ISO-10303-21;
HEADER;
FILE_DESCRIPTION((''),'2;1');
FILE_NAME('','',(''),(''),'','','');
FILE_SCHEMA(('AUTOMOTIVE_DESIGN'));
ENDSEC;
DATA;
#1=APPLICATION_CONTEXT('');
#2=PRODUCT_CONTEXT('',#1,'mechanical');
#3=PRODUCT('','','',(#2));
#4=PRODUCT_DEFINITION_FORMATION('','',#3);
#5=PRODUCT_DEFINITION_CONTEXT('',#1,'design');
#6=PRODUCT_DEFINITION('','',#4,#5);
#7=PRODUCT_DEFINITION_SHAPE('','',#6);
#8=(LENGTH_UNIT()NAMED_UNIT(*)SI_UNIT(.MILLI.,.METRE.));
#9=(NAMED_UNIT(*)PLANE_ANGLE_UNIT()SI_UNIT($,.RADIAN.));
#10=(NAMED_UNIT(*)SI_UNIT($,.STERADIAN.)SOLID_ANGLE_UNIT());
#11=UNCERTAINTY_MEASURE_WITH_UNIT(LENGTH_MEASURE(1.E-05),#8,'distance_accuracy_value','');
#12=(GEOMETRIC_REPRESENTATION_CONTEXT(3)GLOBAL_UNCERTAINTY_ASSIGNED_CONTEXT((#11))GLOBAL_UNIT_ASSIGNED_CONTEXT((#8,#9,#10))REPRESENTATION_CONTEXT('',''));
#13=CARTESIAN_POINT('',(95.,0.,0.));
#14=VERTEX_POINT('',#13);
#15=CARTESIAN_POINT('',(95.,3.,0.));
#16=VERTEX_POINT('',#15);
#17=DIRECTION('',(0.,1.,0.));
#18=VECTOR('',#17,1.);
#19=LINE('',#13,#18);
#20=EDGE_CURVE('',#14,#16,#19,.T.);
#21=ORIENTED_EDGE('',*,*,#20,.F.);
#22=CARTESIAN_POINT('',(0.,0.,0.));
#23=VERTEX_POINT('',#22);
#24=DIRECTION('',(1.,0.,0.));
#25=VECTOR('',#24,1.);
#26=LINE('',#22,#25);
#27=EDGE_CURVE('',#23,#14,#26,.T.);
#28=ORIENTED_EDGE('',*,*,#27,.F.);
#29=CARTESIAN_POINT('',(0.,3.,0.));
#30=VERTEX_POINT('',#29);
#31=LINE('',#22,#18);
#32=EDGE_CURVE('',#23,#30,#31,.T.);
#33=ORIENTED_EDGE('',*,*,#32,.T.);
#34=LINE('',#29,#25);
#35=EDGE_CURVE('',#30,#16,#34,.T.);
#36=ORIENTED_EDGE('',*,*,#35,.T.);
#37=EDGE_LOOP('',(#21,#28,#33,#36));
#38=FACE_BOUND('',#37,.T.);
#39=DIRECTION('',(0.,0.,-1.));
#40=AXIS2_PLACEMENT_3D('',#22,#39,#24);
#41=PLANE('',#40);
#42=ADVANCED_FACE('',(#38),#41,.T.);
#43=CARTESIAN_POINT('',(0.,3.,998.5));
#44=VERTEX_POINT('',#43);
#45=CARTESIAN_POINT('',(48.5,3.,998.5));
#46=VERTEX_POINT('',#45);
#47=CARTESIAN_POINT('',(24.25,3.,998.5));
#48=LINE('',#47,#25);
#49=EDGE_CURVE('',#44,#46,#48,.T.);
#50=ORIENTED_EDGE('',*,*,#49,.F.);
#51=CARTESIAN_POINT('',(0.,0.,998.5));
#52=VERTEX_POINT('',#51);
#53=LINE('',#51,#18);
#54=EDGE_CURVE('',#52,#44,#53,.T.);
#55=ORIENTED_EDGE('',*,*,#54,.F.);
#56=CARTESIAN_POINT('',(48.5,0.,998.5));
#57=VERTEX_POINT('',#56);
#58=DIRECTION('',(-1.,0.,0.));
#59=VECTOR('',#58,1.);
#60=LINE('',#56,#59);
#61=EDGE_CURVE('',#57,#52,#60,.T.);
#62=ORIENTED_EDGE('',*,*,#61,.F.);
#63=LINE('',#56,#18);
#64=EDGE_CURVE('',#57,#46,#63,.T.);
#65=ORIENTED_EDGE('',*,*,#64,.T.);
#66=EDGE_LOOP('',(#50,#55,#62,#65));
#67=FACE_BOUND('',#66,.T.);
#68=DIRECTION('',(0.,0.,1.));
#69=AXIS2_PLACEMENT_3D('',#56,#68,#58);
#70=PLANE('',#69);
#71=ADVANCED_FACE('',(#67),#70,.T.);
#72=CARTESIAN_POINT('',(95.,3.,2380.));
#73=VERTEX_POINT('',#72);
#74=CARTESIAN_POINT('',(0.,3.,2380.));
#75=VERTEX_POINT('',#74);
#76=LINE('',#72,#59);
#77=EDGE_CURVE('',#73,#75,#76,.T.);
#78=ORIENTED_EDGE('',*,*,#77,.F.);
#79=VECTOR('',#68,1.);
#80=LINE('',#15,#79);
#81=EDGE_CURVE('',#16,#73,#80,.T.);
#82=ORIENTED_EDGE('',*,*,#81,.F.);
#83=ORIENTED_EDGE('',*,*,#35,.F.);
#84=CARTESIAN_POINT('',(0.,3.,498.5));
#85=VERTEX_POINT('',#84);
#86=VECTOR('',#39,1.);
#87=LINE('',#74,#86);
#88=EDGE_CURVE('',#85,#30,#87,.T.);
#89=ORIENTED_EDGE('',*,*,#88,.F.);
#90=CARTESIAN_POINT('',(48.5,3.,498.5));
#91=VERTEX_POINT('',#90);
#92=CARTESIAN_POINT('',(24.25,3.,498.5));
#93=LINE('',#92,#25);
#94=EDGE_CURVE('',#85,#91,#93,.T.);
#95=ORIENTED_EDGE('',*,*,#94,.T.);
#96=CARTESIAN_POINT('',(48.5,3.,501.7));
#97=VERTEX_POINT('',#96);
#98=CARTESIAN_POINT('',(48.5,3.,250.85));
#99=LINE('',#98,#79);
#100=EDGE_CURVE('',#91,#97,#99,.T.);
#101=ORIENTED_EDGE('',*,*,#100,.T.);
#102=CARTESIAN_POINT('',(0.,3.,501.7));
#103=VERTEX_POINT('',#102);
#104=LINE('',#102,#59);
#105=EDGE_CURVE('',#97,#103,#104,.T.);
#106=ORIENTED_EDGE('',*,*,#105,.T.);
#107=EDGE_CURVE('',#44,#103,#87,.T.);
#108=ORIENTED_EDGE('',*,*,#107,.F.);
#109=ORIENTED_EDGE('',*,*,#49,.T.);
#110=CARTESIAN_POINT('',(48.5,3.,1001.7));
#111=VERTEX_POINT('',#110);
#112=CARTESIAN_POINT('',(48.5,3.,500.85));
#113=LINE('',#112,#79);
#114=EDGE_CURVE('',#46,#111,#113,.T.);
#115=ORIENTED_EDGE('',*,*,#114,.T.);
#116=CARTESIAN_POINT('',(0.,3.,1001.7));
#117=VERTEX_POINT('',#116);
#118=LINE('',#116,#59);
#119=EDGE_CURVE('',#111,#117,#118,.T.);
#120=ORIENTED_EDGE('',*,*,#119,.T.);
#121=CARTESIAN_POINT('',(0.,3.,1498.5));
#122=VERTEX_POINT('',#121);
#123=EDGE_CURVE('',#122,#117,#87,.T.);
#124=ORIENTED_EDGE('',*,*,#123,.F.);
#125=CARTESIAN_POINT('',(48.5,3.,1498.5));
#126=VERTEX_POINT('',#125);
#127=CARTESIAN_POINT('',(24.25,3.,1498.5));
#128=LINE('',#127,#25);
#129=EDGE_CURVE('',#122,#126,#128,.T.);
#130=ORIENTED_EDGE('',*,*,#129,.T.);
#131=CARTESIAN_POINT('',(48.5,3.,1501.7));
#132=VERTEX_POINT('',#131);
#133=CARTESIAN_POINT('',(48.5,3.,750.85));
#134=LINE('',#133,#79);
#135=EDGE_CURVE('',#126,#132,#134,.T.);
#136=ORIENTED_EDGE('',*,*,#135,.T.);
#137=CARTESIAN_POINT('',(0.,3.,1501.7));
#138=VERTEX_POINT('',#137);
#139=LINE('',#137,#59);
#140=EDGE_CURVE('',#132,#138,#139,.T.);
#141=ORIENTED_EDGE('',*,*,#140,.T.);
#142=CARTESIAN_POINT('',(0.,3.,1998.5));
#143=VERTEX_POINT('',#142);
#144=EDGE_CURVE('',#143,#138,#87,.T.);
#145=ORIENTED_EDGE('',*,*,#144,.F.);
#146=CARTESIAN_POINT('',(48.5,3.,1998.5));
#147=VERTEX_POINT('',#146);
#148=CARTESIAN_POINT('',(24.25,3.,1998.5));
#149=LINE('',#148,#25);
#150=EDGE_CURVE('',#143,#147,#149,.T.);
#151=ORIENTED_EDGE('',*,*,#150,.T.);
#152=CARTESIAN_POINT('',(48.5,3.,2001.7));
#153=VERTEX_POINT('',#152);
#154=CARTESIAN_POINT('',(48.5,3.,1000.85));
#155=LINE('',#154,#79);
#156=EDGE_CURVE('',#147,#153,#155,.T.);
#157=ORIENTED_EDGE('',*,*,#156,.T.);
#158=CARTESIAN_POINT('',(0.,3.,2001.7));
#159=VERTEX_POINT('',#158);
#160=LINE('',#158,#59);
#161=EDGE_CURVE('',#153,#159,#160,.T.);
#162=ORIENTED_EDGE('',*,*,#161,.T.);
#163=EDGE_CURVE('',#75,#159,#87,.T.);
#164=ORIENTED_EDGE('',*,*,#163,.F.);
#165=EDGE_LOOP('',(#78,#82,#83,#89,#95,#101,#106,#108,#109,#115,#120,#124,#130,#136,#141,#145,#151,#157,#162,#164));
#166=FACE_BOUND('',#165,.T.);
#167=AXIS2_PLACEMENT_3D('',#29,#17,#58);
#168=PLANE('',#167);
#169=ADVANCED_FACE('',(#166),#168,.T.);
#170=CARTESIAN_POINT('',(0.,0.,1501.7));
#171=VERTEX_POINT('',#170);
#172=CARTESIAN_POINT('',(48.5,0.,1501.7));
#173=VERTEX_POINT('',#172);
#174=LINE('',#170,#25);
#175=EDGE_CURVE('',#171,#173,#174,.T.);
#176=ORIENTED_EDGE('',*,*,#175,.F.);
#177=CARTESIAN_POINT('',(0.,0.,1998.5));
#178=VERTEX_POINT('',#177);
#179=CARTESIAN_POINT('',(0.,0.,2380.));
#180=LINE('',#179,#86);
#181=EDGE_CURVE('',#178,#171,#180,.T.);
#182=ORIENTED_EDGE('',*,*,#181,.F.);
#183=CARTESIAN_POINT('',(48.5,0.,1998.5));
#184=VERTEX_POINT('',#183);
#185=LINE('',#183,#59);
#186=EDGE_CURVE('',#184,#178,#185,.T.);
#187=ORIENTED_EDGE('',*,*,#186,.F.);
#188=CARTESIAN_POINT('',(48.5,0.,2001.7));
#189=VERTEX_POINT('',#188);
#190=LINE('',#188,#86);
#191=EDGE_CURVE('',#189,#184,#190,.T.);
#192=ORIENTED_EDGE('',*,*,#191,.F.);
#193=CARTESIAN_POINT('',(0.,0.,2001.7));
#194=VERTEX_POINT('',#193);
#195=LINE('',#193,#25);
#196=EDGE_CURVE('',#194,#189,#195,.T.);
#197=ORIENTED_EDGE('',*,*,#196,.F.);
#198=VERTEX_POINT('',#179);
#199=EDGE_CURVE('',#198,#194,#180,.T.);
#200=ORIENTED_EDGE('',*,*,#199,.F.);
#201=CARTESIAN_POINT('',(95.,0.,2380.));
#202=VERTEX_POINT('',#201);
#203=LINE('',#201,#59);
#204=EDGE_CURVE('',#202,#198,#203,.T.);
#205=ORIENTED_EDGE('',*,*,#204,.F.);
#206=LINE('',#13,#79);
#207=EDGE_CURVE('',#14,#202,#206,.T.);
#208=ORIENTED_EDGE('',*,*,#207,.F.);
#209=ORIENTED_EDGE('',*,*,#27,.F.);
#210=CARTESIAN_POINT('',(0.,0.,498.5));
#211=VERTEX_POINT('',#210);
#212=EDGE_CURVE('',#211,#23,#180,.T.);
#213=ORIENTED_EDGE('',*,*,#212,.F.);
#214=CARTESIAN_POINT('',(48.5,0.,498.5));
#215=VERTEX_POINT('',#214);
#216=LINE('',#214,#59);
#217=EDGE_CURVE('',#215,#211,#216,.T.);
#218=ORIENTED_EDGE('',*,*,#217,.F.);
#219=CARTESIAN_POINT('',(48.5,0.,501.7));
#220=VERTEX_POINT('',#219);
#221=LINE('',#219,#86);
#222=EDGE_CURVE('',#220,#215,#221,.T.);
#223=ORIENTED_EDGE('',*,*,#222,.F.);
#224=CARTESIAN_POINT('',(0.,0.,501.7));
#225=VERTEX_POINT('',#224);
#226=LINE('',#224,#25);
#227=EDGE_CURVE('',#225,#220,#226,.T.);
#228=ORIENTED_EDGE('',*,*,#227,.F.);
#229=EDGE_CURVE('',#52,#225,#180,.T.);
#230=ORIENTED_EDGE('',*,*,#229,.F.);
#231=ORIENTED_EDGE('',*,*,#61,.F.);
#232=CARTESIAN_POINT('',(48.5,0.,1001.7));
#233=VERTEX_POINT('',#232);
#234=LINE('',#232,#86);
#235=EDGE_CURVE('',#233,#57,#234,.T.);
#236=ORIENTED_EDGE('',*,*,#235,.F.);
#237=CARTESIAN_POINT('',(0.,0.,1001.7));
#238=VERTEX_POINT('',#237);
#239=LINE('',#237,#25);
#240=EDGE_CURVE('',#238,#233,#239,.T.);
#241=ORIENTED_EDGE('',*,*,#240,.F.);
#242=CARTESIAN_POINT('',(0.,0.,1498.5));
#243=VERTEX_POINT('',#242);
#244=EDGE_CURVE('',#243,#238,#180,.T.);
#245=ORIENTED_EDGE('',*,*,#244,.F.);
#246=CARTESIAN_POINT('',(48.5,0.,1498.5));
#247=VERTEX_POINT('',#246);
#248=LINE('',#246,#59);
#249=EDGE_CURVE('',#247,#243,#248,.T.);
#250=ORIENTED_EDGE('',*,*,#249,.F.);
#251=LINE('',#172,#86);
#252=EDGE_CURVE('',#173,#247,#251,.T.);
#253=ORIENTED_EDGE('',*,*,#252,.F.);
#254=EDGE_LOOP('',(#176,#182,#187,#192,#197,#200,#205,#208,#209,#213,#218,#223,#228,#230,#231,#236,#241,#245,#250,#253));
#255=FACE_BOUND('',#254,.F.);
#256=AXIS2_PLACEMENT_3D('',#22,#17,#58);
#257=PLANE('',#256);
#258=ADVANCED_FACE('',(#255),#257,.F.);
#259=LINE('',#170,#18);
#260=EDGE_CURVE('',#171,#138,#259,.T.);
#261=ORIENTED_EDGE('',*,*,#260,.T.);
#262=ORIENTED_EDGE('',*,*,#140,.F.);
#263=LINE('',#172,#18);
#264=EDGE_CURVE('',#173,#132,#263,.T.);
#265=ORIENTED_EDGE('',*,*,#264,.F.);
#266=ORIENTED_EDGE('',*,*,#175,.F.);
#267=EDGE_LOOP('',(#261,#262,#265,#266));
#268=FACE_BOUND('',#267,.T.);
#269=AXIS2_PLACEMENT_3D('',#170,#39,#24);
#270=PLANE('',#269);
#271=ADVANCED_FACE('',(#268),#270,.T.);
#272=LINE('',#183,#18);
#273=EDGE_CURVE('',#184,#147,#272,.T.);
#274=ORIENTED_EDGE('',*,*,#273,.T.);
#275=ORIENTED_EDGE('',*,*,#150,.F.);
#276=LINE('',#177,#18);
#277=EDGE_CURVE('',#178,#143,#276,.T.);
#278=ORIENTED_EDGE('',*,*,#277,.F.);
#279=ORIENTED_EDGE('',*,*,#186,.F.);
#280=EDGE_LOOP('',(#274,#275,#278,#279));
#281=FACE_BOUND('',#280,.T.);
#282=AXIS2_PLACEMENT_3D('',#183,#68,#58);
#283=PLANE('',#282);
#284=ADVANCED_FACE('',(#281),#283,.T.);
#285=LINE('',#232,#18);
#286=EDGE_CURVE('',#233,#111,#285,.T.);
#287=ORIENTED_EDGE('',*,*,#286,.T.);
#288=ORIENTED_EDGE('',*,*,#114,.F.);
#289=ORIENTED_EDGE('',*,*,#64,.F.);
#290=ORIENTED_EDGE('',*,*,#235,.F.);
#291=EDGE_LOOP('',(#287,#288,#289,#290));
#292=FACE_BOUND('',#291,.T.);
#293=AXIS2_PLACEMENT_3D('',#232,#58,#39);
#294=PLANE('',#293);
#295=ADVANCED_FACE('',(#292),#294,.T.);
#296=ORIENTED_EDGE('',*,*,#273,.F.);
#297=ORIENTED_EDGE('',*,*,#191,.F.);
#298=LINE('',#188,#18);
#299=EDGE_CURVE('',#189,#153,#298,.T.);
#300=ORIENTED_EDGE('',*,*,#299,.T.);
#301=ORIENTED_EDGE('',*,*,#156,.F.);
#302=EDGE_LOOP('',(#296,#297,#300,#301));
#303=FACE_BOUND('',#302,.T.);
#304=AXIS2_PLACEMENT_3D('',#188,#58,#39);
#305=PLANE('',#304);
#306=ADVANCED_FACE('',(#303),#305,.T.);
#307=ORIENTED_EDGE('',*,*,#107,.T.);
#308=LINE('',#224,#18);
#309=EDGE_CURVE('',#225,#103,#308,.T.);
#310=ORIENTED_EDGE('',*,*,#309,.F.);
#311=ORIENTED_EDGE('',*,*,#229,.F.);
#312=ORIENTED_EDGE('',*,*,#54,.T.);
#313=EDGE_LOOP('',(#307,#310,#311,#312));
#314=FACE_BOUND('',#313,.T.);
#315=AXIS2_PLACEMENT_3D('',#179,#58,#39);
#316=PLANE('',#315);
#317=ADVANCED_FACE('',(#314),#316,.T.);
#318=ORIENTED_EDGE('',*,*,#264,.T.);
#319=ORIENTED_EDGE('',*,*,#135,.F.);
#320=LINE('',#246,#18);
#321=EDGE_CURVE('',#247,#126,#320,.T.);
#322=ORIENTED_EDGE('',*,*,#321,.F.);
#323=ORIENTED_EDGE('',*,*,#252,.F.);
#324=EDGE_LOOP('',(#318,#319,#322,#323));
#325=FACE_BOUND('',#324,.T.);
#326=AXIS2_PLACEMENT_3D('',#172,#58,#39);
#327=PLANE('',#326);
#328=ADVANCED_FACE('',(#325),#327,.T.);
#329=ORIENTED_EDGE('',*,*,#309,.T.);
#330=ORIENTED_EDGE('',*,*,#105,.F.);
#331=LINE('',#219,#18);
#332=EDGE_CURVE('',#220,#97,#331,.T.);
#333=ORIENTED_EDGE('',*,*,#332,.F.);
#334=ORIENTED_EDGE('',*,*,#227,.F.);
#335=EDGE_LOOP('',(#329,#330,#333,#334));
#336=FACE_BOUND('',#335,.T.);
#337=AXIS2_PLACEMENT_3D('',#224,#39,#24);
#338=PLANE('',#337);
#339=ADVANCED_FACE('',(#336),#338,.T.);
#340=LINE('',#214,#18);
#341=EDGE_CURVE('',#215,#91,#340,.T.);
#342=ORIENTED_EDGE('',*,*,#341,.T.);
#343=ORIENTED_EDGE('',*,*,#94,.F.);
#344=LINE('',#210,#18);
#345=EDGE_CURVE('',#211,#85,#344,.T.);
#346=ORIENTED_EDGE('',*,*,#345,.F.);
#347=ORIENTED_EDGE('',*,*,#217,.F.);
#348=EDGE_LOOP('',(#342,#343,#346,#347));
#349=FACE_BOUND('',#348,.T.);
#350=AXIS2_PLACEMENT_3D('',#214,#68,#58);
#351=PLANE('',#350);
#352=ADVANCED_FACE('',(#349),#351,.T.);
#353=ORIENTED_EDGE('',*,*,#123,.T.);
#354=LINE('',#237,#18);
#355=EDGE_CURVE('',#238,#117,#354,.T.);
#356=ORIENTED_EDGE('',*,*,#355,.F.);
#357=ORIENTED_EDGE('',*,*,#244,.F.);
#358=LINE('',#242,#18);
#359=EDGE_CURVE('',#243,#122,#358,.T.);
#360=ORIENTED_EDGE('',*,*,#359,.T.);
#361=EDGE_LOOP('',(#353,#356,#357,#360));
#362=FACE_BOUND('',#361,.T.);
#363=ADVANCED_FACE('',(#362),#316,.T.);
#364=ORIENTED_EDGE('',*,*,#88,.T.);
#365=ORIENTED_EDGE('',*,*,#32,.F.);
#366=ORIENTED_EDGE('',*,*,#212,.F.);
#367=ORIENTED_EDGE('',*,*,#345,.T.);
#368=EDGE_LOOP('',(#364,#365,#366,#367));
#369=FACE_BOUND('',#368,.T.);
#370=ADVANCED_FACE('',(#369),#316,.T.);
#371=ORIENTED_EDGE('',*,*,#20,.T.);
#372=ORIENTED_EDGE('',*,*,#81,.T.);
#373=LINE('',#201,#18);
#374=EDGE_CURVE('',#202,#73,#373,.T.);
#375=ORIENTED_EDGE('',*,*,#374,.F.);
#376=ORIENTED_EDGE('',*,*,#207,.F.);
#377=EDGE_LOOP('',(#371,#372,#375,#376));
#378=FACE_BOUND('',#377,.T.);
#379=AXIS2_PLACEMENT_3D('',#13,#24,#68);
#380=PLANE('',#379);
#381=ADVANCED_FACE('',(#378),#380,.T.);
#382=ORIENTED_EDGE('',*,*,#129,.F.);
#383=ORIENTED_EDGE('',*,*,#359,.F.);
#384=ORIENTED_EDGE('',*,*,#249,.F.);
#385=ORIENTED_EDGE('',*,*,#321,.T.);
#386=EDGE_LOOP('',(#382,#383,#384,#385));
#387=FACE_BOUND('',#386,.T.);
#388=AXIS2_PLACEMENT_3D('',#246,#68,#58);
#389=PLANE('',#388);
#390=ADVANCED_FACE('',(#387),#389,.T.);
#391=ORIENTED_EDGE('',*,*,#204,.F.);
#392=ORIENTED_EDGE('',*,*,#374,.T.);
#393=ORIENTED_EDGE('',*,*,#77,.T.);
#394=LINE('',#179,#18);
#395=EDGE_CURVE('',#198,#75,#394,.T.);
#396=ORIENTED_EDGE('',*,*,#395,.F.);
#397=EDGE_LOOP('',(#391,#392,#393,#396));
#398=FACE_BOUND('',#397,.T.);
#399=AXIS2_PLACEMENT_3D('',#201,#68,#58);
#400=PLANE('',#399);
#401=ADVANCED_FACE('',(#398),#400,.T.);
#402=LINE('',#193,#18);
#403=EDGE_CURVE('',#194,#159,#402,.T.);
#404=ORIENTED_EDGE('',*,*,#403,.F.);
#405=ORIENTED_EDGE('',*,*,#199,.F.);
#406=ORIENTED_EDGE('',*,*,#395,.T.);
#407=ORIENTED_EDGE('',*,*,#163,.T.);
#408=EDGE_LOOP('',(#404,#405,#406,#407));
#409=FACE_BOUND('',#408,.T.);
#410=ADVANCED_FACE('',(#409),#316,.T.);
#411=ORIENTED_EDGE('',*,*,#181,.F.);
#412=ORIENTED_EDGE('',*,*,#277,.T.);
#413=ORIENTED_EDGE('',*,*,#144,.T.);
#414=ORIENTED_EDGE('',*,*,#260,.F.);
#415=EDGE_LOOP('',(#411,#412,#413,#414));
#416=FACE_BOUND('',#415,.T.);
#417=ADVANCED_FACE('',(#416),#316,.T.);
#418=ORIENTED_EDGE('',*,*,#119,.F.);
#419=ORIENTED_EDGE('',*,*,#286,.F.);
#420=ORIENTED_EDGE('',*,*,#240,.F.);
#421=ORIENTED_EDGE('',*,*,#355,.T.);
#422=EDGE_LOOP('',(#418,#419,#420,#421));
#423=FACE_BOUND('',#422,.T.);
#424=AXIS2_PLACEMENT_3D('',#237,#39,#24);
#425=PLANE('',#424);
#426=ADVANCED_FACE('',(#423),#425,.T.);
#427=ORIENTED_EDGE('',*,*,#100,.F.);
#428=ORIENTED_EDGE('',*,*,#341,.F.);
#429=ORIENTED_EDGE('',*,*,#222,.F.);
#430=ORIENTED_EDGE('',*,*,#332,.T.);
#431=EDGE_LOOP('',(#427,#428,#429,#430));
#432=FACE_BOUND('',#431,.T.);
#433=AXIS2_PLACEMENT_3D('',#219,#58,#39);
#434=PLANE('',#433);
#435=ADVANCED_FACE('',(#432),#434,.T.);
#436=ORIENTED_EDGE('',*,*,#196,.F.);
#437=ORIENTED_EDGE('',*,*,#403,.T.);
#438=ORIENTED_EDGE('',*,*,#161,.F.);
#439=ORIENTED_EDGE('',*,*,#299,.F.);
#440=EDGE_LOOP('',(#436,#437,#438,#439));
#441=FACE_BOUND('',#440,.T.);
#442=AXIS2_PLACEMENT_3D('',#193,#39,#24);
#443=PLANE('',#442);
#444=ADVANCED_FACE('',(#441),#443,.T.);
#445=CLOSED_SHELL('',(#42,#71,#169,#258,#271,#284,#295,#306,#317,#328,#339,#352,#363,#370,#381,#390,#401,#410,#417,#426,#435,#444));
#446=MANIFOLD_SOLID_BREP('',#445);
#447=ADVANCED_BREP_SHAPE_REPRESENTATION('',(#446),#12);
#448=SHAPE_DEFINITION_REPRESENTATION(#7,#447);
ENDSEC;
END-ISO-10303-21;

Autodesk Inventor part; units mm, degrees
ref_plane "YZ Plane" through (0, 0, 0) normal (1, 0, 0) x (0, 1, 0)
ref_plane "XZ Plane" through (0, 0, 0) normal (0, 1, 0) x (-1, 0, 0)
ref_plane "XY Plane" through (0, 0, 0) normal (0, 0, 1) x (1, 0, 0)
sketch "Sketch6" plane through (0, 0, 0) normal (0, 1, 0) x (-1, 0, 0)
  line L0 (0, 0) -> (-95, 0)
  line L1 (-95, 0) -> (-95, 2380)
  line L2 (-95, 2380) -> (0, 2380)
  line L3 (0, 2380) -> (0, 0)
  dimension "d26" = 95
  dimension "d27" = 2380
extrude "Plate4" add sketch "Sketch6" along normal blind 3
sketch "Sketch7" plane through (0, 0, 0) normal (0, -1, 0) x (1, 0, 0)
  line L0 (0, 2380) -> (95, 2380) projected
  line L1 (0, 0) -> (0, 2380) projected
  line L2 (95, 0) -> (0, 0) projected
  line L3 (95, 2380) -> (95, 0) projected
  line L4 (0, 501.7) -> (48.5, 501.7)
  line L5 (48.5, 501.7) -> (48.5, 498.5)
  line L6 (48.5, 498.5) -> (0, 498.5)
  line L7 (0, 498.5) -> (0, 501.7)
  point P0 (0, 498.5)
  point P1 (0, 200)
  point P2 (46.4173, 200)
  point P3 (0, 498.5)
  dimension "d29" = 48.5
  dimension "d30" = 3.2
  dimension "d31" = 498.5
extrude "Extrusion2" cut sketch "Sketch7" against normal through all contours L4 L5 L6 L1
pattern_linear "Rectangular Pattern1" count 5 spacing 500 along (0, 0, 1) of "Extrusion2"
equation "\"d28\" = Thickness"
equation "\"BendReliefWidth\" = Thickness"
equation "\"BendReliefDepth\" = 0.5 * Thickness"
equation "\"CornerReliefSize\" = 4 * Thickness"
equation "\"MinimumRemnant\" = 2 * Thickness"
equation "\"TransitionRadius\" = BendRadius"
equation "\"JacobiRadiusSize\" = BendRadius"
equation "\"GapSize\" = Thickness"
equation "\"Thickness\" = 3"
equation "\"BendRadius\" = 5"
properties part number "BSH 046 stringer 6" material "09g2s"
